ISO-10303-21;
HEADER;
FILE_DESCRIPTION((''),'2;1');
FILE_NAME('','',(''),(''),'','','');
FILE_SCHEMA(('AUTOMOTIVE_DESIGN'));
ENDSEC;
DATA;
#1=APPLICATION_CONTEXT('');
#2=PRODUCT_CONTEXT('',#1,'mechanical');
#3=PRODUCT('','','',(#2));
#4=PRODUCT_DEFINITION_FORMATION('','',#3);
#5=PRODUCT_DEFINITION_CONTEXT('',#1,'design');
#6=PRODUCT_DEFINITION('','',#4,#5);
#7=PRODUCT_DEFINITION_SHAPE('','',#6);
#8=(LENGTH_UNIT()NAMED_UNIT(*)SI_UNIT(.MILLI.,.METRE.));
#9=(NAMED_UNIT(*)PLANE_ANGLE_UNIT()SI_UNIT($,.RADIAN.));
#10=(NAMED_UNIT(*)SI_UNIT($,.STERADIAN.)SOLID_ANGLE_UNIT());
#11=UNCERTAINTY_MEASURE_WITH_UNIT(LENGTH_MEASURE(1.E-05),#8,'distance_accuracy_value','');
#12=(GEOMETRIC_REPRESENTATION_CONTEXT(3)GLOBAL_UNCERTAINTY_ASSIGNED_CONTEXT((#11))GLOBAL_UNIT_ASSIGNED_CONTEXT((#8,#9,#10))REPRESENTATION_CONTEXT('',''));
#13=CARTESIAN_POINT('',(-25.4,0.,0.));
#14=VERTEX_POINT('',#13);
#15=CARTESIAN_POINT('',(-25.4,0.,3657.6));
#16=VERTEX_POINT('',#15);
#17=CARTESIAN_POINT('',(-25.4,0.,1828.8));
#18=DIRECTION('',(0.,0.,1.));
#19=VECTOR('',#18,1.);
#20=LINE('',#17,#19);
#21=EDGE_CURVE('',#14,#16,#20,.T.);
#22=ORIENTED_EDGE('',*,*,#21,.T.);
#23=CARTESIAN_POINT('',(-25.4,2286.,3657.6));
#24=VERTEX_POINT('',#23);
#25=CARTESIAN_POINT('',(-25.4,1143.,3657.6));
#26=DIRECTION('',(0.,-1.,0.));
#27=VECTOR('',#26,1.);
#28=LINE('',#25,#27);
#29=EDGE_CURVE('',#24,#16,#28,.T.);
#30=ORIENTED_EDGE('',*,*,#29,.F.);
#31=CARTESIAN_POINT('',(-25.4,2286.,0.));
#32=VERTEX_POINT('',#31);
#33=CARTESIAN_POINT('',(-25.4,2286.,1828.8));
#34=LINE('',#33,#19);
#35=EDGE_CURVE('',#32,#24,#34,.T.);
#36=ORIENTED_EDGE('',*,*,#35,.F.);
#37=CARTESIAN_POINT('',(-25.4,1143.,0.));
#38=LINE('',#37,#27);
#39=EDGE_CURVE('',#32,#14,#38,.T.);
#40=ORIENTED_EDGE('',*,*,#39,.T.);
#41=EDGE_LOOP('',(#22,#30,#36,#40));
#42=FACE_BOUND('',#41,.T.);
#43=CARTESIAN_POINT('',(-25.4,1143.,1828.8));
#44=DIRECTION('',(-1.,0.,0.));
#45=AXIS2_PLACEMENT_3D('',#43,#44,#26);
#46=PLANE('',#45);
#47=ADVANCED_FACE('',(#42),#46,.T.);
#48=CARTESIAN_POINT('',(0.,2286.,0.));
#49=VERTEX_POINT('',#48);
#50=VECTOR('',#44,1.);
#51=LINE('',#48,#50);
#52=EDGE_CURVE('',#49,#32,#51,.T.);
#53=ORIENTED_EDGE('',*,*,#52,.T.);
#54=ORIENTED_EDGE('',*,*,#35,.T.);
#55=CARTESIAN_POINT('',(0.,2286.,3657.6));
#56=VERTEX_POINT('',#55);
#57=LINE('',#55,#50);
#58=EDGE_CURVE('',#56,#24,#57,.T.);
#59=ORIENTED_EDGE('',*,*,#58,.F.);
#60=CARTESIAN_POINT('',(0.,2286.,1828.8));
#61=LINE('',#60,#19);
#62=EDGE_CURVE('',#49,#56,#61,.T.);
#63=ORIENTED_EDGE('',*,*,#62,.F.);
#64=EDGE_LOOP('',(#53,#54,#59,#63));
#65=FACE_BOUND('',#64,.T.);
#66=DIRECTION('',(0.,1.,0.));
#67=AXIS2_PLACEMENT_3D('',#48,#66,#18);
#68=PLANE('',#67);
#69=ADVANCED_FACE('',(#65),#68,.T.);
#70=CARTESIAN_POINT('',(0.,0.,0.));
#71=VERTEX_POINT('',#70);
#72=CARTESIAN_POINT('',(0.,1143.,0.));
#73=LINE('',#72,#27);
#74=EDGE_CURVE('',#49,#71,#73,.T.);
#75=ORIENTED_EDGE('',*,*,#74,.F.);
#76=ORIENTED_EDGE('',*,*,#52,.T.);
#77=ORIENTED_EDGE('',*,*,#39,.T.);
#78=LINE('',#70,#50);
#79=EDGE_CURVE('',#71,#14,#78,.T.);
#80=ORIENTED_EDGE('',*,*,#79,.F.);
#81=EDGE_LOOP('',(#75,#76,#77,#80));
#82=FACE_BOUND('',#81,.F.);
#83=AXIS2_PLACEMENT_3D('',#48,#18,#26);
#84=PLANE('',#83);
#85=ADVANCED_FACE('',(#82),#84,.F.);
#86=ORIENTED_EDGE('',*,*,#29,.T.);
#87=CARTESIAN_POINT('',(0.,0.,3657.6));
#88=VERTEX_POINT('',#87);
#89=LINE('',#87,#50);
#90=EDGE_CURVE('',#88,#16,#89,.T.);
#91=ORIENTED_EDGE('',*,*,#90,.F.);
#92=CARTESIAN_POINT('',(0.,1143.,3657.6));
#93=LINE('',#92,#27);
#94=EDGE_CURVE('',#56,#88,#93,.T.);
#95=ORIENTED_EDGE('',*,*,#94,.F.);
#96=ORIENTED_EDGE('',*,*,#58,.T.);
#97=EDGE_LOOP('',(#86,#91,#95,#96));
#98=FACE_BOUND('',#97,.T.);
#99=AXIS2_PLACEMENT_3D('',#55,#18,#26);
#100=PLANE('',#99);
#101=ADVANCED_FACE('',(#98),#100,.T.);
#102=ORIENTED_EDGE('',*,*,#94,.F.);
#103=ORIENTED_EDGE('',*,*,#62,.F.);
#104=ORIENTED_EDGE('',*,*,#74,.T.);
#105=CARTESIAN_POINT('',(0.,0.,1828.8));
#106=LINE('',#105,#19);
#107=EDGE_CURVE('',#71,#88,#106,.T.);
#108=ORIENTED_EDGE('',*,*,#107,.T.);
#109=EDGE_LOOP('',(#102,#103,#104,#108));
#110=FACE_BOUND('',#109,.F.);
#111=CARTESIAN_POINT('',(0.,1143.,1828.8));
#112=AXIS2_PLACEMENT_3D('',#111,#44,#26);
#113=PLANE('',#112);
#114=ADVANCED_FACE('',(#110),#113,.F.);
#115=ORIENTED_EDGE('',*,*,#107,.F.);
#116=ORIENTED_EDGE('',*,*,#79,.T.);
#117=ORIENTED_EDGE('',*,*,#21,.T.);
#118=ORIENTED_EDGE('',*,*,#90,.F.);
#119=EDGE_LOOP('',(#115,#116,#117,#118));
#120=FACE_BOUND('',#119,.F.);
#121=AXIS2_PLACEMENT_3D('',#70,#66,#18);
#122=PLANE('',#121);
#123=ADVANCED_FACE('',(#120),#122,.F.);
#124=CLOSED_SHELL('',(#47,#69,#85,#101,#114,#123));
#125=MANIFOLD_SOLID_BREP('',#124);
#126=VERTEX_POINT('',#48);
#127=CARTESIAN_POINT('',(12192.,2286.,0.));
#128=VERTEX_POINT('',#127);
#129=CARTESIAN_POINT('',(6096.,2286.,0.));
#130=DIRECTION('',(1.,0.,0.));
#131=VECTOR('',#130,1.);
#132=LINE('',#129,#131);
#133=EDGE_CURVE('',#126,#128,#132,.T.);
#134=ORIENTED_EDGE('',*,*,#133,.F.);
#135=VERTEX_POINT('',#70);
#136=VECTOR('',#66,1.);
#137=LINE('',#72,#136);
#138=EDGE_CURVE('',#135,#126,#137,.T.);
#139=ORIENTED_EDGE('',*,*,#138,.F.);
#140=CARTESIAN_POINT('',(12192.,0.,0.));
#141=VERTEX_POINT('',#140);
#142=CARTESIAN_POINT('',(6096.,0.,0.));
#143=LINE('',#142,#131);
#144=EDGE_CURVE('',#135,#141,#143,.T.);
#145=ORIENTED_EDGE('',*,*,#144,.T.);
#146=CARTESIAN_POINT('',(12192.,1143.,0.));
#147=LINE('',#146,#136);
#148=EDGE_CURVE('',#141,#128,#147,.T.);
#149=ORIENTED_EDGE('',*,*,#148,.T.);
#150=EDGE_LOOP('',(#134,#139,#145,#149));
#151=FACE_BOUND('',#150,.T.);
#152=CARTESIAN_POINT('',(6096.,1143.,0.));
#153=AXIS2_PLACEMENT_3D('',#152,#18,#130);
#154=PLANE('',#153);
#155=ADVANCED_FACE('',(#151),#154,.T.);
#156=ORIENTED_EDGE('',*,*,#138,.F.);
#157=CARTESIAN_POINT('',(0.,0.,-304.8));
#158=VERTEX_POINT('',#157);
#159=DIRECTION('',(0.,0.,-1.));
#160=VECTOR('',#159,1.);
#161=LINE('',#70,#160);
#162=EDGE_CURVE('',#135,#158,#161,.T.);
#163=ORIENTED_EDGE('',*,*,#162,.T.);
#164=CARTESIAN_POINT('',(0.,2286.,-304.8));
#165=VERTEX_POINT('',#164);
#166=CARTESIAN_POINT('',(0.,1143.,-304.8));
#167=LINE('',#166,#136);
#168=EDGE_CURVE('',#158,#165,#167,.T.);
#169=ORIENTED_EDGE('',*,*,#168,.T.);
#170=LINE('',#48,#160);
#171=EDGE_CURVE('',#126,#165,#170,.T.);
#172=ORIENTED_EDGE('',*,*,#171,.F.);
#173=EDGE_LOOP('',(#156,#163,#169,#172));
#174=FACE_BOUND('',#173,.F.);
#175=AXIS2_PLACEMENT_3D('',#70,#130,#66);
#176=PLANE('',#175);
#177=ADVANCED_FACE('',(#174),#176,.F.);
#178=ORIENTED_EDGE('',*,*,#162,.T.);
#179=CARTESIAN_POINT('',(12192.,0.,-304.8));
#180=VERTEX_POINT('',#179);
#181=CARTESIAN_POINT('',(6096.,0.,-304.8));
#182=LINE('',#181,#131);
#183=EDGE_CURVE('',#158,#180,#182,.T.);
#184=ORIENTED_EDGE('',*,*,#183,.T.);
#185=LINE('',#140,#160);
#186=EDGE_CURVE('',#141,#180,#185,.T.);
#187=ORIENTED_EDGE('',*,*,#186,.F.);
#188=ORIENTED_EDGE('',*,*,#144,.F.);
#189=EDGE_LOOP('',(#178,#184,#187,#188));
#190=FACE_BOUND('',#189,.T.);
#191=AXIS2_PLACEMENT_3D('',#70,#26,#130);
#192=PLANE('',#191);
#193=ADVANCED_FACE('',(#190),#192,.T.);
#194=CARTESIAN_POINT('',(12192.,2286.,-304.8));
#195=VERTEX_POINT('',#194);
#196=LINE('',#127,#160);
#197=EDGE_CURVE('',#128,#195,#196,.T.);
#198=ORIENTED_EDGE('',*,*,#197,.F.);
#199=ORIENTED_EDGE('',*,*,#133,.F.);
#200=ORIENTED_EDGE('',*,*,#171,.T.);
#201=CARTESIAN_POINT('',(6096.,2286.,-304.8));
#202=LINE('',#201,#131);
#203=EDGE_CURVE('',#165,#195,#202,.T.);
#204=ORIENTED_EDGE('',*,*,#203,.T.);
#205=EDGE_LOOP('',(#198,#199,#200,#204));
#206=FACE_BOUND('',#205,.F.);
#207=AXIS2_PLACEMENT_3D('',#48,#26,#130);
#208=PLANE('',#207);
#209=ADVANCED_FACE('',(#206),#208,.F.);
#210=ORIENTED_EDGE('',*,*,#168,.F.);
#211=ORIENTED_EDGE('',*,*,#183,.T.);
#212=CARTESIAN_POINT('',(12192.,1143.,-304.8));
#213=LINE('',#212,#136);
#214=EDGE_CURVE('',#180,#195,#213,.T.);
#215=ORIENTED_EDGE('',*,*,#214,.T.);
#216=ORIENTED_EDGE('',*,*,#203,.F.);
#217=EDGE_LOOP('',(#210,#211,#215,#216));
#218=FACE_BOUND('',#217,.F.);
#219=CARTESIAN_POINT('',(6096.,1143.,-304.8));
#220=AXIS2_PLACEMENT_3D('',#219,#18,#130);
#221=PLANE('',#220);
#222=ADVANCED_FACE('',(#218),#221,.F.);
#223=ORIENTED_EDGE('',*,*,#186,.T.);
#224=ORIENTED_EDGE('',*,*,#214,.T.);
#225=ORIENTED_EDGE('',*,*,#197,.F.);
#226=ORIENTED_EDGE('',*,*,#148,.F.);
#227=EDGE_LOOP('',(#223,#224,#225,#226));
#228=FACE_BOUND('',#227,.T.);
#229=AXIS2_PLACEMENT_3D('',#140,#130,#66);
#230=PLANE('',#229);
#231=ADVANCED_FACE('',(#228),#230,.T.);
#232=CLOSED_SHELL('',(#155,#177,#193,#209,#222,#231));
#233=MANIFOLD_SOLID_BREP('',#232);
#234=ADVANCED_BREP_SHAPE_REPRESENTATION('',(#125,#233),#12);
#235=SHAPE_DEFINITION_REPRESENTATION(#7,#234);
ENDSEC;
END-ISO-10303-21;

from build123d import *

# Parameters (mm, degrees)
F0_W     = 12192
F0_H     = 2286
F1_DEPTH = 304.8
F2_W     = 2286
F2_H     = 3657.6
F3_DEPTH = 25.4


with BuildPart() as f1:
    # F0 (on Top) → F1 (new body)
    with BuildSketch(Plane.XY):
        with Locations((6096, 1143)):
            Rectangle(F0_W, F0_H)
    extrude(amount=-F1_DEPTH)


with BuildPart() as f3:
    # F2 (on face) → F3 (new body)
    with BuildSketch(Plane(origin=(0, 0, 0), x_dir=(0, -1, 0), z_dir=(-1, 0, 0))):
        with Locations((-1143, 1828.8)):
            Rectangle(F2_W, F2_H)
    extrude(amount=F3_DEPTH)


solid = Compound([f1.part, f3.part])
